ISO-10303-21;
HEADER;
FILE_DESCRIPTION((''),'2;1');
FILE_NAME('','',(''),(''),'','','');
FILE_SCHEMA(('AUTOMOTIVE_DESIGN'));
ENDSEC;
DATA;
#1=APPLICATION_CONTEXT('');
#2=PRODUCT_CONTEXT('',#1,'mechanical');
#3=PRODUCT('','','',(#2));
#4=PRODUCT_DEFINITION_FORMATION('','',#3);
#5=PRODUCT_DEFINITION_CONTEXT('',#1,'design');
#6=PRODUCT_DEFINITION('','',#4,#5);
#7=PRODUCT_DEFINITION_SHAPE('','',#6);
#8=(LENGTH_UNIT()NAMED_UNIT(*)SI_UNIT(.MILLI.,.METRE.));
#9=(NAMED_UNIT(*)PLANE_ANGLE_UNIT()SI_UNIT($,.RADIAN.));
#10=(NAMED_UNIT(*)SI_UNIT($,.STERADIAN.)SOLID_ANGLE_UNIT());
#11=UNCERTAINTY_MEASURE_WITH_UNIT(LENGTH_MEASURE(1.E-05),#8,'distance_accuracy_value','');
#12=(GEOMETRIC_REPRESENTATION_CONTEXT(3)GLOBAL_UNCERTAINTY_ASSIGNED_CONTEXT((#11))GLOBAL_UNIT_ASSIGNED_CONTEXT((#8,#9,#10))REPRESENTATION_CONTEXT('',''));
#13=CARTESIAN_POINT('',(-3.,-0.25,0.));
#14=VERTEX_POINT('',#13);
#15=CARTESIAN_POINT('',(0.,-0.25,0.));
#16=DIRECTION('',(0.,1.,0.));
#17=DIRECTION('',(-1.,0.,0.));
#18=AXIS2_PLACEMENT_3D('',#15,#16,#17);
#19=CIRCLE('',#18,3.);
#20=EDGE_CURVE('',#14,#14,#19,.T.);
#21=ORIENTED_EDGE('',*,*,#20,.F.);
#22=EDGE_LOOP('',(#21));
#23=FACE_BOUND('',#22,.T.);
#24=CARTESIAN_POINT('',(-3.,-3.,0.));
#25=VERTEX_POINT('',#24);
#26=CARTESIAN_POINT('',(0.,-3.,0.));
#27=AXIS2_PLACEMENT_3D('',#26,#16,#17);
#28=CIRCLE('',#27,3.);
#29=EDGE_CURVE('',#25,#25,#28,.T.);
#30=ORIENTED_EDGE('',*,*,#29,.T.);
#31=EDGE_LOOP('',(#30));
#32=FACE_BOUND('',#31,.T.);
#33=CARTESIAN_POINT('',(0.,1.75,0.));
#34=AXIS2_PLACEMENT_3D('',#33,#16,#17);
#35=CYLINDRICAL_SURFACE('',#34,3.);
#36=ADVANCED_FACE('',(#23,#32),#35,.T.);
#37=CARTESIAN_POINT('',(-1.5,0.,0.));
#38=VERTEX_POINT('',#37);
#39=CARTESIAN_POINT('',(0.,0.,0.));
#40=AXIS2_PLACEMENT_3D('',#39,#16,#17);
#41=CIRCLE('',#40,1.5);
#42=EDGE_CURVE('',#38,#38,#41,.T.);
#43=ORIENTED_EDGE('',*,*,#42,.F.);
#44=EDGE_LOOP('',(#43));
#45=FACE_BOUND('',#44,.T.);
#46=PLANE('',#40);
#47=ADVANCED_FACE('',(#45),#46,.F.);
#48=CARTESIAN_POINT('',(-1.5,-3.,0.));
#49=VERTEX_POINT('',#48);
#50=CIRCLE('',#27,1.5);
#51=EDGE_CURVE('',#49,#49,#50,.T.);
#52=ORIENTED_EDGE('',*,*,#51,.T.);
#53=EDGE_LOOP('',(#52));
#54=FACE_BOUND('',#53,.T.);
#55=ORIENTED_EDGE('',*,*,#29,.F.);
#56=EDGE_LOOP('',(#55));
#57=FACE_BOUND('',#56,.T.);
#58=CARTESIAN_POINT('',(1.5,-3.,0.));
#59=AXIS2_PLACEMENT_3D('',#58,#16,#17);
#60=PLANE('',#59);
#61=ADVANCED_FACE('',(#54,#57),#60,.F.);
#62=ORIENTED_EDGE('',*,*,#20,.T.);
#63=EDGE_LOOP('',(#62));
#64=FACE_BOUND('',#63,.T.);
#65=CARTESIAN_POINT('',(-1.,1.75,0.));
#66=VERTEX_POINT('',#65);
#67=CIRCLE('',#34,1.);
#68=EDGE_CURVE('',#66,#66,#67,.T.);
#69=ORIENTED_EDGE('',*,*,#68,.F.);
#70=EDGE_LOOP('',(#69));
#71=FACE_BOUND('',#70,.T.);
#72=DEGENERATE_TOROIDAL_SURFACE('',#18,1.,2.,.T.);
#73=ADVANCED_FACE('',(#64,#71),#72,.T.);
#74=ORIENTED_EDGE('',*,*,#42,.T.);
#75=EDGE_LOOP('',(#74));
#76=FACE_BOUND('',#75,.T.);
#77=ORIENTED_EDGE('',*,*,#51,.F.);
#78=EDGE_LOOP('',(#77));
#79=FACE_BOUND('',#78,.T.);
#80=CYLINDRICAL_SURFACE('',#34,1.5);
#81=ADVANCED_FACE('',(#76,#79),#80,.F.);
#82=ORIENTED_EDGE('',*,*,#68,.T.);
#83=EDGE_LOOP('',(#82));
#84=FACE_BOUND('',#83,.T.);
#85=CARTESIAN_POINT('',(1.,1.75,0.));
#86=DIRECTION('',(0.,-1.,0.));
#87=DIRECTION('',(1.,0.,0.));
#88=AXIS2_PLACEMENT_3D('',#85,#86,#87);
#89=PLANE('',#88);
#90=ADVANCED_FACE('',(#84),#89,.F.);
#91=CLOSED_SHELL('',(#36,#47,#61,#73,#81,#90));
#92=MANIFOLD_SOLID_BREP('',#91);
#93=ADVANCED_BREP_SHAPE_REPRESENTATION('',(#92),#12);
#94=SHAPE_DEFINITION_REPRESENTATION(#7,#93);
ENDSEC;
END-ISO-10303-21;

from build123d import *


with BuildPart() as part:
    # Schizzo1 → Rivoluzione1 (revolve)
    with BuildSketch(Plane.XY):
        with BuildLine():
            Line((0, 0), (1.5, 0))
            Line((1.5, 0), (1.5, -3))
            Line((1.5, -3), (3, -3))
            Line((3, -3), (3, -0.25))
            ThreePointArc((3, -0.25), (2.414213562, 1.164213562), (1, 1.75))
            Line((1, 1.75), (0, 1.75))
            Line((0, 1.75), (0, 0))
        make_face()
    revolve(axis=Axis((0, 1.75, 0), (0, -1, 0)))


solid = part.part
